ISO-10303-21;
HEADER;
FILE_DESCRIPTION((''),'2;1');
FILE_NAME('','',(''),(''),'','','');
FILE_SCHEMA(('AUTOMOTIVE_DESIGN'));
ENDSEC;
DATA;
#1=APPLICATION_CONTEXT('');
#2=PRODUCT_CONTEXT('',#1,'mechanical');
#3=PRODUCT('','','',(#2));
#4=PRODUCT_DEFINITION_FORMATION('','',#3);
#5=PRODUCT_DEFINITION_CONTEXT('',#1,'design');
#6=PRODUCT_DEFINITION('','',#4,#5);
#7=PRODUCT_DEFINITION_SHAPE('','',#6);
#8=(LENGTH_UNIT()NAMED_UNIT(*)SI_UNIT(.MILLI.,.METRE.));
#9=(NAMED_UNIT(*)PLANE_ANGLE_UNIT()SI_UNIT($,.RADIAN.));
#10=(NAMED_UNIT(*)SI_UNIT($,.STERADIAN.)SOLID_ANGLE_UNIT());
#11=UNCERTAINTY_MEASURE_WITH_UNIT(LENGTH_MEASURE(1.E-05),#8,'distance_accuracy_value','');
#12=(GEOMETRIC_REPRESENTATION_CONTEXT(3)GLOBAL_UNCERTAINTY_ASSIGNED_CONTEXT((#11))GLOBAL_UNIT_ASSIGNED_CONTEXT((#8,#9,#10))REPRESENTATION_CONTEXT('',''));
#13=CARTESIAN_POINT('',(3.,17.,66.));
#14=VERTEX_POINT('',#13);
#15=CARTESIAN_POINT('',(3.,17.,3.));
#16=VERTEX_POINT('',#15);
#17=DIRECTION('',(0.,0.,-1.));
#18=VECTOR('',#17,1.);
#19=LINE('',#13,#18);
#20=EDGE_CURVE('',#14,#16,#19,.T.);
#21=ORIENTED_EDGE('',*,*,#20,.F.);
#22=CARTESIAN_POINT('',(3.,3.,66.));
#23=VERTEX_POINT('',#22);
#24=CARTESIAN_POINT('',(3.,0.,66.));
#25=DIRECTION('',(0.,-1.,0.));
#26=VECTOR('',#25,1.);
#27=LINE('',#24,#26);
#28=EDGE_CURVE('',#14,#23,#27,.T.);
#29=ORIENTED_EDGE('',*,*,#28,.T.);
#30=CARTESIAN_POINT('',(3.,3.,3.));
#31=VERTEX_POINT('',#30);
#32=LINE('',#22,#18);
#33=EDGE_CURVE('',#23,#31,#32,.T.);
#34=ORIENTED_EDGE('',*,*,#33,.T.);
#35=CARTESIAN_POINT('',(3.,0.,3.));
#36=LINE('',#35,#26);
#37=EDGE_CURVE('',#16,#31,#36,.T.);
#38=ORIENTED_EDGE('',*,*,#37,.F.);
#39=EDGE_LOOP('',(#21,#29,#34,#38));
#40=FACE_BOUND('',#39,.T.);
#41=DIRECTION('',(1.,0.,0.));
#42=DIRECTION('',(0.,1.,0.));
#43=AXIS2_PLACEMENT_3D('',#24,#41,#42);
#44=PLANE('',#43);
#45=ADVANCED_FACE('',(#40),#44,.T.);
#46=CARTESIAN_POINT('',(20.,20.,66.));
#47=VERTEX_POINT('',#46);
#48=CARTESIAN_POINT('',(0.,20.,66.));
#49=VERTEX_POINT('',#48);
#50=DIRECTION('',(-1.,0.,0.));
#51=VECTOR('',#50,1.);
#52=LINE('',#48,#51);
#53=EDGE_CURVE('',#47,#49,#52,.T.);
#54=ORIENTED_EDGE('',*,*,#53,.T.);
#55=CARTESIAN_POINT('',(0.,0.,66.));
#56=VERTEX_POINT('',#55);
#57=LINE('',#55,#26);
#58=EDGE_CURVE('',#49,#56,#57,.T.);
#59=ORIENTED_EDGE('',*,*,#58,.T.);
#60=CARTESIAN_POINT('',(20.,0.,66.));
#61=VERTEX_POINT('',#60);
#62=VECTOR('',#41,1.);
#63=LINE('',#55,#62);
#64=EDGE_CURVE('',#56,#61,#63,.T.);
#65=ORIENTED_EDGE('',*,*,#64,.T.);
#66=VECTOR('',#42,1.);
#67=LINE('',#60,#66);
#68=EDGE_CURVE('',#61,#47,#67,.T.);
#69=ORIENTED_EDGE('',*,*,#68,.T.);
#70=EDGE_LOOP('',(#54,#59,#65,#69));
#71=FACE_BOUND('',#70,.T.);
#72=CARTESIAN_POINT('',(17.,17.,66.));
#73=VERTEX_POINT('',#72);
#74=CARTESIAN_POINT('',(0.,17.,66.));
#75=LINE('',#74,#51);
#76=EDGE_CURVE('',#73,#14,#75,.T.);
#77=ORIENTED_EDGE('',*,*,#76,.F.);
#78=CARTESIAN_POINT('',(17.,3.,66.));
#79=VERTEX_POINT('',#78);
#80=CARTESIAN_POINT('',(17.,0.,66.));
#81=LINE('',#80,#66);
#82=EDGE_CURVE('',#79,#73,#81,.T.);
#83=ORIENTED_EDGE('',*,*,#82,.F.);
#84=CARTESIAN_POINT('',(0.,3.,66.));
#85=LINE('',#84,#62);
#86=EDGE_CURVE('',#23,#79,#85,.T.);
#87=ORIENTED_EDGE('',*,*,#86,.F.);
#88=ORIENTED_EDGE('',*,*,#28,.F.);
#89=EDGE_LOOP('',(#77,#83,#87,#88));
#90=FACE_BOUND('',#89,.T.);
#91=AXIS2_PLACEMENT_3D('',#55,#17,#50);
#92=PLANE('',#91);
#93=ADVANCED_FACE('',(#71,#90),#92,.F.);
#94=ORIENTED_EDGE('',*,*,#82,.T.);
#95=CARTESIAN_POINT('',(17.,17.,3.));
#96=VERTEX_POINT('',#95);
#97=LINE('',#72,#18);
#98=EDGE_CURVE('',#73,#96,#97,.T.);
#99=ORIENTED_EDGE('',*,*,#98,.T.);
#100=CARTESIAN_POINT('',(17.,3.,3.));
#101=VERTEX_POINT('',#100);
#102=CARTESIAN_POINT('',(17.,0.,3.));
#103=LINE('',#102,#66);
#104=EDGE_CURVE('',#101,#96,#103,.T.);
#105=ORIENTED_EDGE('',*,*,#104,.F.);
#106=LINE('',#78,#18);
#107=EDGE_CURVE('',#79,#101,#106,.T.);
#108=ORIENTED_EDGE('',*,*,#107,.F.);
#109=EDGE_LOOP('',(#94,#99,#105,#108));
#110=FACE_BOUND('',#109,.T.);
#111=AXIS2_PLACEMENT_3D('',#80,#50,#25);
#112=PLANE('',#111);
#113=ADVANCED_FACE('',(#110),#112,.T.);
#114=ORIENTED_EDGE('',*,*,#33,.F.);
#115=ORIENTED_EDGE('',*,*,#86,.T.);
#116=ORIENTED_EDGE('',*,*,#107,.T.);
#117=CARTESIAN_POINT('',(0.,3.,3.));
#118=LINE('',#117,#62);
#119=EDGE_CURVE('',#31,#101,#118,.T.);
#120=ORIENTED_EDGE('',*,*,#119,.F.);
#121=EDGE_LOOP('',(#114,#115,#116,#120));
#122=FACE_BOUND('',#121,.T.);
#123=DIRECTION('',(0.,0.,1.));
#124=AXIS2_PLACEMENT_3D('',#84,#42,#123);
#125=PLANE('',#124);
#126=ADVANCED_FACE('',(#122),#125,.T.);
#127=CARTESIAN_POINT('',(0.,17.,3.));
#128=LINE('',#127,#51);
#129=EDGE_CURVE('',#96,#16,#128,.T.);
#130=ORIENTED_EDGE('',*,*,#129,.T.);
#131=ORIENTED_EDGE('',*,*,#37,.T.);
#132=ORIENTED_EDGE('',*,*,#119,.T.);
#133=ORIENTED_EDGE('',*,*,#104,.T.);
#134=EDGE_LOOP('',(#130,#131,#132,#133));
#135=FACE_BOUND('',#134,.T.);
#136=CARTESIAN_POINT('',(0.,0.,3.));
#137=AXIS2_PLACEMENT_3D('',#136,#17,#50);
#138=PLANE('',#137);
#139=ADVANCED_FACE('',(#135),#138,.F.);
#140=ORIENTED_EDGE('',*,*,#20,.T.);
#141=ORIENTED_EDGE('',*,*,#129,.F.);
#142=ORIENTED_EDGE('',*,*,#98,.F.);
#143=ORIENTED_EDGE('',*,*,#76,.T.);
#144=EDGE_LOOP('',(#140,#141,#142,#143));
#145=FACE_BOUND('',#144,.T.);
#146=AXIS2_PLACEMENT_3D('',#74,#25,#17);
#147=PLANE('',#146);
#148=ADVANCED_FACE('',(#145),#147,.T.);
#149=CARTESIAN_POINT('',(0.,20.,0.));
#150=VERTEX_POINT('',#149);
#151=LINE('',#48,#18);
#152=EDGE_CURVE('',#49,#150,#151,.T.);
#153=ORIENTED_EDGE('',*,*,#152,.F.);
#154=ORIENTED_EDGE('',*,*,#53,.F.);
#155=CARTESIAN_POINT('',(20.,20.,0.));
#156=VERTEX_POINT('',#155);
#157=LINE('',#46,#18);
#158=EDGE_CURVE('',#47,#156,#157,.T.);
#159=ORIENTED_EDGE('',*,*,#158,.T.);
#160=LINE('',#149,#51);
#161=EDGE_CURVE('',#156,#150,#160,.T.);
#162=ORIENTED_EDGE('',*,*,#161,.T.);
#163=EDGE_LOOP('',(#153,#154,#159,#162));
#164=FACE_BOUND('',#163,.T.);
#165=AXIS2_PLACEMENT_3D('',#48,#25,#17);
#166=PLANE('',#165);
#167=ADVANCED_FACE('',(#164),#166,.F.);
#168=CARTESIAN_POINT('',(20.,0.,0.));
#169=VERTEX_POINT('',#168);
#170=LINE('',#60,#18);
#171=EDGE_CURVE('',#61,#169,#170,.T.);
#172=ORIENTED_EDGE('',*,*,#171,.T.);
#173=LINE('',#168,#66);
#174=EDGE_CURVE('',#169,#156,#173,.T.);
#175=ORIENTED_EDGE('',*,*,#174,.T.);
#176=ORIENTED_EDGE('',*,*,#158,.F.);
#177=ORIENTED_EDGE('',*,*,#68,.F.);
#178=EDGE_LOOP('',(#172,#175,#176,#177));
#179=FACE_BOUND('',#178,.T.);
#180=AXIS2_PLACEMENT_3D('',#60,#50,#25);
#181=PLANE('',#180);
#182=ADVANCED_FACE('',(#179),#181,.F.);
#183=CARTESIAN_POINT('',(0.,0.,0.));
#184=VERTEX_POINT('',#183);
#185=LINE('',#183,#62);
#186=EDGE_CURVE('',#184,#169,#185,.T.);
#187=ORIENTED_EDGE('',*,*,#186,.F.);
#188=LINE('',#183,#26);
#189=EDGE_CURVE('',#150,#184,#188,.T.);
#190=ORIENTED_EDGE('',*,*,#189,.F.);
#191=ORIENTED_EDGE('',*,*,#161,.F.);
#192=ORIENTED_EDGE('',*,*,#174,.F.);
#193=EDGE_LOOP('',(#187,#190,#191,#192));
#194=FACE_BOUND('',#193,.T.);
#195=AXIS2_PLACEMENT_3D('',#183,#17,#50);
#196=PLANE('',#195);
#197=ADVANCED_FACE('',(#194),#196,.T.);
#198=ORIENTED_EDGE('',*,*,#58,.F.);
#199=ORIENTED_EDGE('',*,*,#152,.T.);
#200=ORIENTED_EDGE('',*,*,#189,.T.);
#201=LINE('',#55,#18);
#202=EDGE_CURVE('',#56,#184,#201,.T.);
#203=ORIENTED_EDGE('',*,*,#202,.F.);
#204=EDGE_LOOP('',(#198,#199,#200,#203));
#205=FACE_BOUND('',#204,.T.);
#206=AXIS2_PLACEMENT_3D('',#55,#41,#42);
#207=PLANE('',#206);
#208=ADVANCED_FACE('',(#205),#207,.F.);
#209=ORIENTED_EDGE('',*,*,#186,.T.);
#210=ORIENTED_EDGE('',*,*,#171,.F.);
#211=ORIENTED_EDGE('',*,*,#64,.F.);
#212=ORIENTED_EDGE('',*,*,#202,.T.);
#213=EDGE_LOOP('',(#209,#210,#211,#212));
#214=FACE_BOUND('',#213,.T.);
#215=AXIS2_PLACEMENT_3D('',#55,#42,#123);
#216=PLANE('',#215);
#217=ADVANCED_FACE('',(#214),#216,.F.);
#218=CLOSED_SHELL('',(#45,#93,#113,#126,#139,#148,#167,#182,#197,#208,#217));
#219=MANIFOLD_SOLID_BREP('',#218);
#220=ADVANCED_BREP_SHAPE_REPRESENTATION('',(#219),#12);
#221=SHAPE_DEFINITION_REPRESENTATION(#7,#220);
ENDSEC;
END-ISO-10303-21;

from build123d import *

# Parameters (mm, degrees)
SKETCH1_W           = 20
SKETCH1_H           = 20
BOSS_EXTRUDE1_DEPTH = 66
SHELL1_T            = -3


with BuildPart() as part:
    # Sketch1 → Boss-Extrude1 (new body)
    with BuildSketch(Plane.XY):
        with Locations((10, 10)):
            Rectangle(SKETCH1_W, SKETCH1_H)
    extrude(amount=BOSS_EXTRUDE1_DEPTH)

    # Shell1
    shell1_openings = [part.faces().sort_by_distance(p)[0] for p in [
        (10, 10, 66),
    ]]
    offset(amount=SHELL1_T, openings=shell1_openings, kind=Kind.INTERSECTION)


solid = part.part
